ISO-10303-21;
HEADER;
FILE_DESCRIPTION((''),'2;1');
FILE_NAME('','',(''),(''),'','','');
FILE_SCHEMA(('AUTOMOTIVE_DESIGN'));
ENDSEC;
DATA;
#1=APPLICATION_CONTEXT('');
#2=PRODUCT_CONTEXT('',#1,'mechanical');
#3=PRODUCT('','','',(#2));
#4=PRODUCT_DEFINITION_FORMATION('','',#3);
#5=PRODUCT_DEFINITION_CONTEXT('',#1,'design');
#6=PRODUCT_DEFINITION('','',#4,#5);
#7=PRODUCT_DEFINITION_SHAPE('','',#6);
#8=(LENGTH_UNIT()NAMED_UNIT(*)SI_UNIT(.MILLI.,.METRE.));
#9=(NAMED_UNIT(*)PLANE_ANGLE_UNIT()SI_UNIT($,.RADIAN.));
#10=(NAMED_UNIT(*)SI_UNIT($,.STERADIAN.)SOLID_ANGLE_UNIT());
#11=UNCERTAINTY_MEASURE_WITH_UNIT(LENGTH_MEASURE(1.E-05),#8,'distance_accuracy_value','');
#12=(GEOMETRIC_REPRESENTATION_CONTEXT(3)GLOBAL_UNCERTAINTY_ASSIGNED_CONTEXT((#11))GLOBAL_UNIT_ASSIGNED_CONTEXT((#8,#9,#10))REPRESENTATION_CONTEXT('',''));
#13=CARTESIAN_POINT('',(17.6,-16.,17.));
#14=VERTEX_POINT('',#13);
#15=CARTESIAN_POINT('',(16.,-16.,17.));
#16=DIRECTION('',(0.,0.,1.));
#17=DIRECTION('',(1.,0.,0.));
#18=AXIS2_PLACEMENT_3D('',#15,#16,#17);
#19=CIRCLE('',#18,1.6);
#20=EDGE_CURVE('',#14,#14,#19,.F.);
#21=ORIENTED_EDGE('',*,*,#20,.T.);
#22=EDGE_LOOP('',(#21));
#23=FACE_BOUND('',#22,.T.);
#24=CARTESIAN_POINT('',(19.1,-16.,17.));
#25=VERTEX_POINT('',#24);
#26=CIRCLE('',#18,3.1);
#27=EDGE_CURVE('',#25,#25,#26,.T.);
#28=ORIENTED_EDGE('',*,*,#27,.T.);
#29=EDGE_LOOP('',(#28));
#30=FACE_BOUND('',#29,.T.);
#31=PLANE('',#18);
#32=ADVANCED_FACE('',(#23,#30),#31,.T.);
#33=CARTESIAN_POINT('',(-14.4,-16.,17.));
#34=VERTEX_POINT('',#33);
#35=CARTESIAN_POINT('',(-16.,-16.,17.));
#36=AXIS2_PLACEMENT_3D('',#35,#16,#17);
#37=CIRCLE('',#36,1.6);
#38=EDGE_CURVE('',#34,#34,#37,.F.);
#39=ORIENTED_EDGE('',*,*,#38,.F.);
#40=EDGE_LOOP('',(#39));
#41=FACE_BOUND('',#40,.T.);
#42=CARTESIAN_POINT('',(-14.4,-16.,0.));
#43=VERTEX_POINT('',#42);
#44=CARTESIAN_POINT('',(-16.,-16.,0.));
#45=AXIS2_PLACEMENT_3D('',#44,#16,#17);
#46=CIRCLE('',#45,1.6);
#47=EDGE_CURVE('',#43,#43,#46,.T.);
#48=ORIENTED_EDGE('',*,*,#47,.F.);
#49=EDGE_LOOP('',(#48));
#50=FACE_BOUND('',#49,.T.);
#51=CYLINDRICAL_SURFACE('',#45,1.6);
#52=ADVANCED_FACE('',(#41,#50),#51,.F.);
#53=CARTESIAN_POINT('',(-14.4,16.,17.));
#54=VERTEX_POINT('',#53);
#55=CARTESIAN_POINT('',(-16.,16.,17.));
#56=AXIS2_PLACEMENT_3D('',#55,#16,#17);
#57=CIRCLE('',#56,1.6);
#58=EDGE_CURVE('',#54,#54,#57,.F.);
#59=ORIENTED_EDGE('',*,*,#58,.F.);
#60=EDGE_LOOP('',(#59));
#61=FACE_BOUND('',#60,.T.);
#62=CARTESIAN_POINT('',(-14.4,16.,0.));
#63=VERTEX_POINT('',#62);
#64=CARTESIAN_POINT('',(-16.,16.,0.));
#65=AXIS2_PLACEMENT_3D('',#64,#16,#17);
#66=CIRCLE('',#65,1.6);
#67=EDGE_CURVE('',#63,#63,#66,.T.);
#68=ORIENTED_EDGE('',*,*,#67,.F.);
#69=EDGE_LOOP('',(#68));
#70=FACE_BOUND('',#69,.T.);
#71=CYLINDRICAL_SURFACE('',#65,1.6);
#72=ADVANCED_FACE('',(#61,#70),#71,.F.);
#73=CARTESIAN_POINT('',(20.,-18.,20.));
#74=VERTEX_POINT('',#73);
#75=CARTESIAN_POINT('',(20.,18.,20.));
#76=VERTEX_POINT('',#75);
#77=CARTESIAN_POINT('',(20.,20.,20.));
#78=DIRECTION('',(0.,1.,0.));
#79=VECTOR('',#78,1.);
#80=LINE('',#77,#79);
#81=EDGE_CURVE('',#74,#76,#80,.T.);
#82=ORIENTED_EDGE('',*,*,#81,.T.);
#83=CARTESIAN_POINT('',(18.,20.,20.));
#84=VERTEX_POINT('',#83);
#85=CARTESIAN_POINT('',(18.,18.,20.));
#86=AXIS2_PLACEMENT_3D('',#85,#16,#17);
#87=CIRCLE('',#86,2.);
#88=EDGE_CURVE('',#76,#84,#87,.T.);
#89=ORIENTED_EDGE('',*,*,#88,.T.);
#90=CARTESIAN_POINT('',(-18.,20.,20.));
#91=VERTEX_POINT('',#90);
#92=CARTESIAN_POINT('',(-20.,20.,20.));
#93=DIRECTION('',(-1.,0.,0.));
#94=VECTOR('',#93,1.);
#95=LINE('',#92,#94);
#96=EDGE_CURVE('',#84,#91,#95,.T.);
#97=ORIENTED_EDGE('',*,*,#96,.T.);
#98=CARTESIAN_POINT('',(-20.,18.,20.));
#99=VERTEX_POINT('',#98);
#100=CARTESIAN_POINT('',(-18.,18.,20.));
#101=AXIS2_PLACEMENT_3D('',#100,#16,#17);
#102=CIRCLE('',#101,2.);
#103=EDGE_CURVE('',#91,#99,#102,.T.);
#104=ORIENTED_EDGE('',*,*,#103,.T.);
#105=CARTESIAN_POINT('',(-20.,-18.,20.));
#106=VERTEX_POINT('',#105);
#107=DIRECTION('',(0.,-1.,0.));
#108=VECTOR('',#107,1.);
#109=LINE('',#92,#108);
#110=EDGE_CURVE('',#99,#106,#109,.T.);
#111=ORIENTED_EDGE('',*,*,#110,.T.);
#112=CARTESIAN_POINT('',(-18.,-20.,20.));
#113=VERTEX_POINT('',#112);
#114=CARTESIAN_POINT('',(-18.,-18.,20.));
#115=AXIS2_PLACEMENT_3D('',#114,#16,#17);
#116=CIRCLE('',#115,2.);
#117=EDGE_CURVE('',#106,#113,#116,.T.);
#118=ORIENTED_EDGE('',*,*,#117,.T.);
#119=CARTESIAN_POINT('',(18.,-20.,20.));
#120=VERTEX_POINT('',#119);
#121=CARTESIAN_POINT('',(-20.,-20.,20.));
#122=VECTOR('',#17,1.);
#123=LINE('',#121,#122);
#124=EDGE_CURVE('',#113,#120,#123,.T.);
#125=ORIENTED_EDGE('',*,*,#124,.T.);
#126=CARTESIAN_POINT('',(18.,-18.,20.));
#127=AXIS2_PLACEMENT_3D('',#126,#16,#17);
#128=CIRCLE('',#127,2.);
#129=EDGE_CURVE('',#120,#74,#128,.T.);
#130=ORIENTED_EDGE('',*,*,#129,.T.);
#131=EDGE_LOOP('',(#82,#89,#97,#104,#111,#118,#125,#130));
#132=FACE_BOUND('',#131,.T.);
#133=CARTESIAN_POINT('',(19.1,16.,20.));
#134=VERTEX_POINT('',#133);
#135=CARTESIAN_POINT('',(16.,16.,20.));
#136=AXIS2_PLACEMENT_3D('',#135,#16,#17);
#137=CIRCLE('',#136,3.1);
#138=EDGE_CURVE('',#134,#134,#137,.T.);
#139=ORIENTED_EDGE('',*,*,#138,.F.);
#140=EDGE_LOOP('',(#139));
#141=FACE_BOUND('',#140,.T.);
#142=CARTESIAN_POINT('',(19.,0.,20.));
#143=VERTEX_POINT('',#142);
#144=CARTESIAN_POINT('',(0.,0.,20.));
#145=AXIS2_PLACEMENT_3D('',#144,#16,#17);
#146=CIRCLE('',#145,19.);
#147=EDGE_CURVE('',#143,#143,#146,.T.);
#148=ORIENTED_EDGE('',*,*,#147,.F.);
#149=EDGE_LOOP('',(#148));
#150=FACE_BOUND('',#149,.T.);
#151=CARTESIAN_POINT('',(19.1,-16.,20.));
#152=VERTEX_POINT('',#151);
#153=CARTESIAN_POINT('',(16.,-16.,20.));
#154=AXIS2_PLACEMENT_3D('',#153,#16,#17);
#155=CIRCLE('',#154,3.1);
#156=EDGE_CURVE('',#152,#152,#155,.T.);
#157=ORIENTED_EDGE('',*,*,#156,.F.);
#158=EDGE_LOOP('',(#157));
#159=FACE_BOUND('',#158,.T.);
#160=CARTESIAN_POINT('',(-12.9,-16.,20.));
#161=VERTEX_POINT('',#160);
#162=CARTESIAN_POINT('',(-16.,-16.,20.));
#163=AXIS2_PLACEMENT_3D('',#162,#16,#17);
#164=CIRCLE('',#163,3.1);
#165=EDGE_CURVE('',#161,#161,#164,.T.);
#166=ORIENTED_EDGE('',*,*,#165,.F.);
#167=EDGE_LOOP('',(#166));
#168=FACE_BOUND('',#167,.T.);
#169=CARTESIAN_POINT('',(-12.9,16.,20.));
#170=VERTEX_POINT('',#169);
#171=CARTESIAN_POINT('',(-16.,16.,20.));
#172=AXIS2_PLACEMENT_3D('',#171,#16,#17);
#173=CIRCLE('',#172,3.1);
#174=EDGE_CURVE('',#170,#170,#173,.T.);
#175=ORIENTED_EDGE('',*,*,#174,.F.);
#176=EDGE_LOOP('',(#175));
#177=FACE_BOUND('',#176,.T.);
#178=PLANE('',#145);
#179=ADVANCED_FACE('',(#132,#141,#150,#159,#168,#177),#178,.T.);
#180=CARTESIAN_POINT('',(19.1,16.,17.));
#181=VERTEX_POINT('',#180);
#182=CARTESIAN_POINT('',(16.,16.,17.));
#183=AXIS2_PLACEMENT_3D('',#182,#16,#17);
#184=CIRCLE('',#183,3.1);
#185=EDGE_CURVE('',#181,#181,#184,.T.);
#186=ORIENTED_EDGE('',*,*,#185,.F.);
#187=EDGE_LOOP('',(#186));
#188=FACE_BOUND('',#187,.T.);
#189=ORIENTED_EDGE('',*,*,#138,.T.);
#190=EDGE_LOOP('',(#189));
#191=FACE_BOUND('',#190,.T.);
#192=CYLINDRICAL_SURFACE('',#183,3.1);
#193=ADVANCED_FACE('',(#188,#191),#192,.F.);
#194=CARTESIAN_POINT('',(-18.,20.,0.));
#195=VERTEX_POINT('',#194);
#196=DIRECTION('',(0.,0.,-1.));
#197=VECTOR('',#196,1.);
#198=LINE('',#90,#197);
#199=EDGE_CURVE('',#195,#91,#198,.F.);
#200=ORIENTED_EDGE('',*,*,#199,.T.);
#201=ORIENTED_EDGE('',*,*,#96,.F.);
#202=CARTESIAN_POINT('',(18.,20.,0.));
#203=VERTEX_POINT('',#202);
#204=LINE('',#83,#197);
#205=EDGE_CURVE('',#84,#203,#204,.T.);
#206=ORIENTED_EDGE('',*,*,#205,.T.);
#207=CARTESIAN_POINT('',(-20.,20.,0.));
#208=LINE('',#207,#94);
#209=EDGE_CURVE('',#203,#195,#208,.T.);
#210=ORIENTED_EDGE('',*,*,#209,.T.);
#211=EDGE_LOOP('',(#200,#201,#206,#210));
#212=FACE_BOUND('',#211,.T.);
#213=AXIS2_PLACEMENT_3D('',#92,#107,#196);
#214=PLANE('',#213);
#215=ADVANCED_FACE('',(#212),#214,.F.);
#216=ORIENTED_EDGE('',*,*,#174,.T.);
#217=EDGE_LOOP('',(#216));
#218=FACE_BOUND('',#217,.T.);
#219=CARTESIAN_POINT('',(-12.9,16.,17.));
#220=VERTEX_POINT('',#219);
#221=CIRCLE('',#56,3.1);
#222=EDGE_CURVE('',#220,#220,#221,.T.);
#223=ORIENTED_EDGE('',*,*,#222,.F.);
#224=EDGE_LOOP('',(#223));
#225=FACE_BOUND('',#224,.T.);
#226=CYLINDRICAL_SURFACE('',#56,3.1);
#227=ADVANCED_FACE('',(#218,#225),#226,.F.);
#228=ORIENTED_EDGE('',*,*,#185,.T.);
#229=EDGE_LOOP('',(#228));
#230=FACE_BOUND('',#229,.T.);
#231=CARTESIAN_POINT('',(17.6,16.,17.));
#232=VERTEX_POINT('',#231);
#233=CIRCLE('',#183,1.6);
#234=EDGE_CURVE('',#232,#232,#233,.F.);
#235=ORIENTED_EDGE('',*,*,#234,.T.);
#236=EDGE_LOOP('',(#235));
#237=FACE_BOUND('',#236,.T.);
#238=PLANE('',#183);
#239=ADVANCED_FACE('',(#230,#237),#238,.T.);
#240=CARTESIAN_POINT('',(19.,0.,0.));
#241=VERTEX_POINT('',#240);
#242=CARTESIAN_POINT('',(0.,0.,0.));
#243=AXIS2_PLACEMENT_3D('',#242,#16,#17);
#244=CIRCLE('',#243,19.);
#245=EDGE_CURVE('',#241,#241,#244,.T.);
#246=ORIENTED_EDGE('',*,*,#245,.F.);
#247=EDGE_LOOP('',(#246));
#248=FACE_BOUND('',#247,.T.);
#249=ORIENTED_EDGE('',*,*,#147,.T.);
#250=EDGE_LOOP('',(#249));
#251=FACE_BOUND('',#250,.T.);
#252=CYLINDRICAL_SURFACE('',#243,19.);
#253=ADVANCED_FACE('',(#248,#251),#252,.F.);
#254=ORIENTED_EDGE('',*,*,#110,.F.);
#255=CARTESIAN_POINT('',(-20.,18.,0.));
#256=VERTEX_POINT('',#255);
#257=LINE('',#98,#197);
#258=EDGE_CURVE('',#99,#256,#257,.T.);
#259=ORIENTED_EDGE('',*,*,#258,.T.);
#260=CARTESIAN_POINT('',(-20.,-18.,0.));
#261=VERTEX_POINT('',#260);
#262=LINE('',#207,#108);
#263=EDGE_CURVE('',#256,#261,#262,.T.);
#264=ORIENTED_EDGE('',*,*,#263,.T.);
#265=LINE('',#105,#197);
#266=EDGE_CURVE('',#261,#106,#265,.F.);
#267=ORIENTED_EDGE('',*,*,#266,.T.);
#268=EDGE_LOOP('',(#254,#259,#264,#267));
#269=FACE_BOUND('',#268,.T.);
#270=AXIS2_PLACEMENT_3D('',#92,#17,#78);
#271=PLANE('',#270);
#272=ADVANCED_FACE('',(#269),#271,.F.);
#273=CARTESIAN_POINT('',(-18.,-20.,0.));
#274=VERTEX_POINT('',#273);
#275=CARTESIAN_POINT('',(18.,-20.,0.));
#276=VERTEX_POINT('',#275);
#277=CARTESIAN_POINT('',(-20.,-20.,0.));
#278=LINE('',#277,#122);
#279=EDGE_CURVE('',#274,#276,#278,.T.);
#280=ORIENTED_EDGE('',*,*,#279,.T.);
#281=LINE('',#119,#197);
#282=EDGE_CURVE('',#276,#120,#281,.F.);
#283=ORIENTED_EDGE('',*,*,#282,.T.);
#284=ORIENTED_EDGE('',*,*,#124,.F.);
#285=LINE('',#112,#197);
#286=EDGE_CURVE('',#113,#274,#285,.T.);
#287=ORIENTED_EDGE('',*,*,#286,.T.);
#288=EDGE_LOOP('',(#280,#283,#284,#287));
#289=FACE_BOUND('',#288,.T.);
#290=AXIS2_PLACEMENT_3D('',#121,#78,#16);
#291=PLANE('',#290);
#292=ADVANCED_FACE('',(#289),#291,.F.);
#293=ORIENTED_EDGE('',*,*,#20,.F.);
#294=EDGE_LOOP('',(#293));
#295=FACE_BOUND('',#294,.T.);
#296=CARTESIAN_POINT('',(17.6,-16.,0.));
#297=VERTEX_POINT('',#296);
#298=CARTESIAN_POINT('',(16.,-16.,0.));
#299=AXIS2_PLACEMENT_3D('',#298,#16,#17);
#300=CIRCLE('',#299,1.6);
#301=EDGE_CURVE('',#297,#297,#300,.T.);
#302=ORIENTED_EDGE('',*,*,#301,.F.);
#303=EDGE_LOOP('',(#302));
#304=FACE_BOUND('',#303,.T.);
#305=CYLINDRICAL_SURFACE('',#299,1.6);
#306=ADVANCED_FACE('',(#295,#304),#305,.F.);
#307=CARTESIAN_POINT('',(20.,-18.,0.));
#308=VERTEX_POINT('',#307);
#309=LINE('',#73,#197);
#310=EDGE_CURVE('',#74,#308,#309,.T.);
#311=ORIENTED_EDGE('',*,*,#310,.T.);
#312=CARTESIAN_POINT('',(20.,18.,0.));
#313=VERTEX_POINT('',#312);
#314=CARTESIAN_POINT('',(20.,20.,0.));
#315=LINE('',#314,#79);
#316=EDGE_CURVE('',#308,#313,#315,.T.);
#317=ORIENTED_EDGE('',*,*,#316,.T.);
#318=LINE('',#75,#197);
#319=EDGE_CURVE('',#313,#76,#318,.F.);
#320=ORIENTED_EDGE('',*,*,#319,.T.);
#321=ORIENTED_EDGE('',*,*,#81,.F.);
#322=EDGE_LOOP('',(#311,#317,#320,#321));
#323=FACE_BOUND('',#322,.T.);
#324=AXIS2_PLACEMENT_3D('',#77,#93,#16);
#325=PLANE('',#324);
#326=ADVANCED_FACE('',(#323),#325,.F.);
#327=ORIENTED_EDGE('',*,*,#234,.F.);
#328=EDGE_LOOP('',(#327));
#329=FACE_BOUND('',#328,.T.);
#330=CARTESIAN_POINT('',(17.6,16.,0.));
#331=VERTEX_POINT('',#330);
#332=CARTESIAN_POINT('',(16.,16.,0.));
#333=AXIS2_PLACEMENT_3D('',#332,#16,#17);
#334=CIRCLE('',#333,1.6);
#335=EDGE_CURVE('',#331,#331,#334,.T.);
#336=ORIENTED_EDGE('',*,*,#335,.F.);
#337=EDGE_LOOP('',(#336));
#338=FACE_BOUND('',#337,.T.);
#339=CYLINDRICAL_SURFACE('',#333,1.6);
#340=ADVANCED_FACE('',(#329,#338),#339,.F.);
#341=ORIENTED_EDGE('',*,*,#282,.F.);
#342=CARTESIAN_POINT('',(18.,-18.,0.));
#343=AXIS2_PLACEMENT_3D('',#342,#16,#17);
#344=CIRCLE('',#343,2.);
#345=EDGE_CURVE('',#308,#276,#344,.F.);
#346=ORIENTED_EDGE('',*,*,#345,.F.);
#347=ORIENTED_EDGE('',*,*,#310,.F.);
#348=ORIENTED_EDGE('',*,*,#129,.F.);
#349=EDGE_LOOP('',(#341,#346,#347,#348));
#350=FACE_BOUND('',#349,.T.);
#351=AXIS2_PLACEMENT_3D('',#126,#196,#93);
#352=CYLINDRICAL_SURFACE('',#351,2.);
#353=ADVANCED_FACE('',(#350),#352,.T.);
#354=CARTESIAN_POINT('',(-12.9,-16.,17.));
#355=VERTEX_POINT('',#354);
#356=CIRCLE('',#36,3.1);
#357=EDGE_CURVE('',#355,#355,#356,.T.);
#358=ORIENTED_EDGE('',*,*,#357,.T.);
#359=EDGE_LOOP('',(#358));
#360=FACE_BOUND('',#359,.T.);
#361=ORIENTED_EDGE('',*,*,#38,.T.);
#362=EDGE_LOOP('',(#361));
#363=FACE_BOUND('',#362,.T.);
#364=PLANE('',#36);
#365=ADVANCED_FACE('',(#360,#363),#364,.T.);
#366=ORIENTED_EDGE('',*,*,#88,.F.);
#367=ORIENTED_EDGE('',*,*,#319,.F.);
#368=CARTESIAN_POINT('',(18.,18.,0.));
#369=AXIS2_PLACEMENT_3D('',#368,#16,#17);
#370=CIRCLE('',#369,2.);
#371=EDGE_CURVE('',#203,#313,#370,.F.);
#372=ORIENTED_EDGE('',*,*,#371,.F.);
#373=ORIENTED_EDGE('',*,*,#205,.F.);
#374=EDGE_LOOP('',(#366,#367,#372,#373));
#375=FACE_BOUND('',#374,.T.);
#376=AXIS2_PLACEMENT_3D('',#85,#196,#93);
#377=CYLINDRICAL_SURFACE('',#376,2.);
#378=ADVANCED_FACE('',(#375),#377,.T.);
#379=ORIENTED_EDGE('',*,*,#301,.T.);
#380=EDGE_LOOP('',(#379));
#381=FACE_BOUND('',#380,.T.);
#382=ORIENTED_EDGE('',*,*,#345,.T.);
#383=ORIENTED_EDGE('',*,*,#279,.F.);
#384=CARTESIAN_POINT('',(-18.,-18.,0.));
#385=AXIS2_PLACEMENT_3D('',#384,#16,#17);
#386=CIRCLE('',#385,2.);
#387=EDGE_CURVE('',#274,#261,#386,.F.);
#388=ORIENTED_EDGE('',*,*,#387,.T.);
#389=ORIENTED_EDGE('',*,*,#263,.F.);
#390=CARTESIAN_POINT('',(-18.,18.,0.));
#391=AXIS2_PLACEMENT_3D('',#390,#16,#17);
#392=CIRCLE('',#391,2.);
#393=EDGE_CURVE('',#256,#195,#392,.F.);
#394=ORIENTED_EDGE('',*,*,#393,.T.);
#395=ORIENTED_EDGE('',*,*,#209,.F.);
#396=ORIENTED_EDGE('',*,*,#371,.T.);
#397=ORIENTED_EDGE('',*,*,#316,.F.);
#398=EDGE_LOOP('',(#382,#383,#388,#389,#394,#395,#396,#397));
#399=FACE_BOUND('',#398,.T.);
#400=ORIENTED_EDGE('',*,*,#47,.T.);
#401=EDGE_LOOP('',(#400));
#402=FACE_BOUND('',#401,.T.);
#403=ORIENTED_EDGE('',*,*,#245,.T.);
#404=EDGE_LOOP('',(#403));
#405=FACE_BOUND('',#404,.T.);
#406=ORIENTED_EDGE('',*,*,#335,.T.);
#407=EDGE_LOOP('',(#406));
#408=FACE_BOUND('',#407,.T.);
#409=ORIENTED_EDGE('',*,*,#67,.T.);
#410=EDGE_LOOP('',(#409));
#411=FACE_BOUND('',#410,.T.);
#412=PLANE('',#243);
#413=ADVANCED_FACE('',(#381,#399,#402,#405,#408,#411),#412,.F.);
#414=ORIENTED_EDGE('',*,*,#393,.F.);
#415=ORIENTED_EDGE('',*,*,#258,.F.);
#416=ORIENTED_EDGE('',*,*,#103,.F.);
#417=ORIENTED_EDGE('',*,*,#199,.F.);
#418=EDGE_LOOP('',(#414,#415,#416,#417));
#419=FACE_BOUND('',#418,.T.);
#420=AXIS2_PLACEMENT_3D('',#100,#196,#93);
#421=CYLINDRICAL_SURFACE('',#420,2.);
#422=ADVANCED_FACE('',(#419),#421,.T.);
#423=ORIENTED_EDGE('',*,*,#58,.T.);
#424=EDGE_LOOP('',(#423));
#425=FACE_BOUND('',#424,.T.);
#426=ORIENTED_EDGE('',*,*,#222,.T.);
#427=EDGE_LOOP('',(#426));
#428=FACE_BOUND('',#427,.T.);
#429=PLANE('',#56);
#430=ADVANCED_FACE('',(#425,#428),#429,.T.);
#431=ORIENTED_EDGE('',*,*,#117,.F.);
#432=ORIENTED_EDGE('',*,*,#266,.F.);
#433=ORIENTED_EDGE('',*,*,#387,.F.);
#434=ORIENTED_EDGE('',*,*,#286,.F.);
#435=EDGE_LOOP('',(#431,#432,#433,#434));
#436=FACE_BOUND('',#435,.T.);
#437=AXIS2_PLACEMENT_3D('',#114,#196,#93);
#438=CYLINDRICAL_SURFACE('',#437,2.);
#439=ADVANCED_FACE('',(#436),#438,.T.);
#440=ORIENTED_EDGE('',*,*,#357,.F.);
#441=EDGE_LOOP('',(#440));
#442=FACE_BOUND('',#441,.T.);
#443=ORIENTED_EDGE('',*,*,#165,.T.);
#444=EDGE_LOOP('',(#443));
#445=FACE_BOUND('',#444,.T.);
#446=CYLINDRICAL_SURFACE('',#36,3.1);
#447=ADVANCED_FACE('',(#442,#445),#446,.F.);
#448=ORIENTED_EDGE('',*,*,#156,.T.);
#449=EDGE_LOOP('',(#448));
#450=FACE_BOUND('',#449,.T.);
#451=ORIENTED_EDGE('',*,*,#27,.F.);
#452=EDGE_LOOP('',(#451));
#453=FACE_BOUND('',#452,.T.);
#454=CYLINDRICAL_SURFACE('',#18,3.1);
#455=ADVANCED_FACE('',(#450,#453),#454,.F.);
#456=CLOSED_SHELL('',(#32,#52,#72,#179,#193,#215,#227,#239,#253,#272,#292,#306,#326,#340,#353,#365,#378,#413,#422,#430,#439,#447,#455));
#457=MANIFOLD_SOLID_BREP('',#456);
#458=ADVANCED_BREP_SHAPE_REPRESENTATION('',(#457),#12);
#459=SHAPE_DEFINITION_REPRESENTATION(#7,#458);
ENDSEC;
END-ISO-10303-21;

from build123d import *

# Parameters (mm, degrees)
SKETCH1_W           = 40
SKETCH1_H           = 40
BOSS_EXTRUDE1_DEPTH = 20
SKETCH2_R           = 19
SKETCH2_R_2         = 1.6
CUT_EXTRUDE1_DEPTH  = 21
FILLET1_R           = 2
SKETCH3_R           = 3.1
CUT_EXTRUDE2_DEPTH  = 3


with BuildPart() as part:
    # Sketch1 → Boss-Extrude1 (new body)
    with BuildSketch(Plane.XY):
        Rectangle(SKETCH1_W, SKETCH1_H)
    extrude(amount=BOSS_EXTRUDE1_DEPTH)

    # Sketch2 → Cut-Extrude1 (cut, through all)
    with BuildSketch(Plane.XY.offset(20)):
        Circle(SKETCH2_R)
        with Locations((-16, 16)):
            Circle(SKETCH2_R_2)
        with Locations((16, 16)):
            Circle(SKETCH2_R_2)
        with Locations((16, -16)):
            Circle(SKETCH2_R_2)
        with Locations((-16, -16)):
            Circle(SKETCH2_R_2)
    extrude(amount=-CUT_EXTRUDE1_DEPTH, mode=Mode.SUBTRACT)

    # Fillet1
    fillet1_edges = [part.edges().sort_by_distance(p)[0] for p in [
        (20, -20, 10),
        (-20, -20, 10),
        (-20, 20, 10),
        (20, 20, 10),
    ]]
    fillet(fillet1_edges, radius=FILLET1_R)

    # Sketch3 → Cut-Extrude2 (cut)
    with BuildSketch(Plane.XY.offset(20)):
        with Locations((-16, -16)):
            Circle(SKETCH3_R)
        with Locations((16, -16)):
            Circle(SKETCH3_R)
        with Locations((16, 16)):
            Circle(SKETCH3_R)
        with Locations((-16, 16)):
            Circle(SKETCH3_R)
    extrude(amount=-CUT_EXTRUDE2_DEPTH, mode=Mode.SUBTRACT)


solid = part.part
